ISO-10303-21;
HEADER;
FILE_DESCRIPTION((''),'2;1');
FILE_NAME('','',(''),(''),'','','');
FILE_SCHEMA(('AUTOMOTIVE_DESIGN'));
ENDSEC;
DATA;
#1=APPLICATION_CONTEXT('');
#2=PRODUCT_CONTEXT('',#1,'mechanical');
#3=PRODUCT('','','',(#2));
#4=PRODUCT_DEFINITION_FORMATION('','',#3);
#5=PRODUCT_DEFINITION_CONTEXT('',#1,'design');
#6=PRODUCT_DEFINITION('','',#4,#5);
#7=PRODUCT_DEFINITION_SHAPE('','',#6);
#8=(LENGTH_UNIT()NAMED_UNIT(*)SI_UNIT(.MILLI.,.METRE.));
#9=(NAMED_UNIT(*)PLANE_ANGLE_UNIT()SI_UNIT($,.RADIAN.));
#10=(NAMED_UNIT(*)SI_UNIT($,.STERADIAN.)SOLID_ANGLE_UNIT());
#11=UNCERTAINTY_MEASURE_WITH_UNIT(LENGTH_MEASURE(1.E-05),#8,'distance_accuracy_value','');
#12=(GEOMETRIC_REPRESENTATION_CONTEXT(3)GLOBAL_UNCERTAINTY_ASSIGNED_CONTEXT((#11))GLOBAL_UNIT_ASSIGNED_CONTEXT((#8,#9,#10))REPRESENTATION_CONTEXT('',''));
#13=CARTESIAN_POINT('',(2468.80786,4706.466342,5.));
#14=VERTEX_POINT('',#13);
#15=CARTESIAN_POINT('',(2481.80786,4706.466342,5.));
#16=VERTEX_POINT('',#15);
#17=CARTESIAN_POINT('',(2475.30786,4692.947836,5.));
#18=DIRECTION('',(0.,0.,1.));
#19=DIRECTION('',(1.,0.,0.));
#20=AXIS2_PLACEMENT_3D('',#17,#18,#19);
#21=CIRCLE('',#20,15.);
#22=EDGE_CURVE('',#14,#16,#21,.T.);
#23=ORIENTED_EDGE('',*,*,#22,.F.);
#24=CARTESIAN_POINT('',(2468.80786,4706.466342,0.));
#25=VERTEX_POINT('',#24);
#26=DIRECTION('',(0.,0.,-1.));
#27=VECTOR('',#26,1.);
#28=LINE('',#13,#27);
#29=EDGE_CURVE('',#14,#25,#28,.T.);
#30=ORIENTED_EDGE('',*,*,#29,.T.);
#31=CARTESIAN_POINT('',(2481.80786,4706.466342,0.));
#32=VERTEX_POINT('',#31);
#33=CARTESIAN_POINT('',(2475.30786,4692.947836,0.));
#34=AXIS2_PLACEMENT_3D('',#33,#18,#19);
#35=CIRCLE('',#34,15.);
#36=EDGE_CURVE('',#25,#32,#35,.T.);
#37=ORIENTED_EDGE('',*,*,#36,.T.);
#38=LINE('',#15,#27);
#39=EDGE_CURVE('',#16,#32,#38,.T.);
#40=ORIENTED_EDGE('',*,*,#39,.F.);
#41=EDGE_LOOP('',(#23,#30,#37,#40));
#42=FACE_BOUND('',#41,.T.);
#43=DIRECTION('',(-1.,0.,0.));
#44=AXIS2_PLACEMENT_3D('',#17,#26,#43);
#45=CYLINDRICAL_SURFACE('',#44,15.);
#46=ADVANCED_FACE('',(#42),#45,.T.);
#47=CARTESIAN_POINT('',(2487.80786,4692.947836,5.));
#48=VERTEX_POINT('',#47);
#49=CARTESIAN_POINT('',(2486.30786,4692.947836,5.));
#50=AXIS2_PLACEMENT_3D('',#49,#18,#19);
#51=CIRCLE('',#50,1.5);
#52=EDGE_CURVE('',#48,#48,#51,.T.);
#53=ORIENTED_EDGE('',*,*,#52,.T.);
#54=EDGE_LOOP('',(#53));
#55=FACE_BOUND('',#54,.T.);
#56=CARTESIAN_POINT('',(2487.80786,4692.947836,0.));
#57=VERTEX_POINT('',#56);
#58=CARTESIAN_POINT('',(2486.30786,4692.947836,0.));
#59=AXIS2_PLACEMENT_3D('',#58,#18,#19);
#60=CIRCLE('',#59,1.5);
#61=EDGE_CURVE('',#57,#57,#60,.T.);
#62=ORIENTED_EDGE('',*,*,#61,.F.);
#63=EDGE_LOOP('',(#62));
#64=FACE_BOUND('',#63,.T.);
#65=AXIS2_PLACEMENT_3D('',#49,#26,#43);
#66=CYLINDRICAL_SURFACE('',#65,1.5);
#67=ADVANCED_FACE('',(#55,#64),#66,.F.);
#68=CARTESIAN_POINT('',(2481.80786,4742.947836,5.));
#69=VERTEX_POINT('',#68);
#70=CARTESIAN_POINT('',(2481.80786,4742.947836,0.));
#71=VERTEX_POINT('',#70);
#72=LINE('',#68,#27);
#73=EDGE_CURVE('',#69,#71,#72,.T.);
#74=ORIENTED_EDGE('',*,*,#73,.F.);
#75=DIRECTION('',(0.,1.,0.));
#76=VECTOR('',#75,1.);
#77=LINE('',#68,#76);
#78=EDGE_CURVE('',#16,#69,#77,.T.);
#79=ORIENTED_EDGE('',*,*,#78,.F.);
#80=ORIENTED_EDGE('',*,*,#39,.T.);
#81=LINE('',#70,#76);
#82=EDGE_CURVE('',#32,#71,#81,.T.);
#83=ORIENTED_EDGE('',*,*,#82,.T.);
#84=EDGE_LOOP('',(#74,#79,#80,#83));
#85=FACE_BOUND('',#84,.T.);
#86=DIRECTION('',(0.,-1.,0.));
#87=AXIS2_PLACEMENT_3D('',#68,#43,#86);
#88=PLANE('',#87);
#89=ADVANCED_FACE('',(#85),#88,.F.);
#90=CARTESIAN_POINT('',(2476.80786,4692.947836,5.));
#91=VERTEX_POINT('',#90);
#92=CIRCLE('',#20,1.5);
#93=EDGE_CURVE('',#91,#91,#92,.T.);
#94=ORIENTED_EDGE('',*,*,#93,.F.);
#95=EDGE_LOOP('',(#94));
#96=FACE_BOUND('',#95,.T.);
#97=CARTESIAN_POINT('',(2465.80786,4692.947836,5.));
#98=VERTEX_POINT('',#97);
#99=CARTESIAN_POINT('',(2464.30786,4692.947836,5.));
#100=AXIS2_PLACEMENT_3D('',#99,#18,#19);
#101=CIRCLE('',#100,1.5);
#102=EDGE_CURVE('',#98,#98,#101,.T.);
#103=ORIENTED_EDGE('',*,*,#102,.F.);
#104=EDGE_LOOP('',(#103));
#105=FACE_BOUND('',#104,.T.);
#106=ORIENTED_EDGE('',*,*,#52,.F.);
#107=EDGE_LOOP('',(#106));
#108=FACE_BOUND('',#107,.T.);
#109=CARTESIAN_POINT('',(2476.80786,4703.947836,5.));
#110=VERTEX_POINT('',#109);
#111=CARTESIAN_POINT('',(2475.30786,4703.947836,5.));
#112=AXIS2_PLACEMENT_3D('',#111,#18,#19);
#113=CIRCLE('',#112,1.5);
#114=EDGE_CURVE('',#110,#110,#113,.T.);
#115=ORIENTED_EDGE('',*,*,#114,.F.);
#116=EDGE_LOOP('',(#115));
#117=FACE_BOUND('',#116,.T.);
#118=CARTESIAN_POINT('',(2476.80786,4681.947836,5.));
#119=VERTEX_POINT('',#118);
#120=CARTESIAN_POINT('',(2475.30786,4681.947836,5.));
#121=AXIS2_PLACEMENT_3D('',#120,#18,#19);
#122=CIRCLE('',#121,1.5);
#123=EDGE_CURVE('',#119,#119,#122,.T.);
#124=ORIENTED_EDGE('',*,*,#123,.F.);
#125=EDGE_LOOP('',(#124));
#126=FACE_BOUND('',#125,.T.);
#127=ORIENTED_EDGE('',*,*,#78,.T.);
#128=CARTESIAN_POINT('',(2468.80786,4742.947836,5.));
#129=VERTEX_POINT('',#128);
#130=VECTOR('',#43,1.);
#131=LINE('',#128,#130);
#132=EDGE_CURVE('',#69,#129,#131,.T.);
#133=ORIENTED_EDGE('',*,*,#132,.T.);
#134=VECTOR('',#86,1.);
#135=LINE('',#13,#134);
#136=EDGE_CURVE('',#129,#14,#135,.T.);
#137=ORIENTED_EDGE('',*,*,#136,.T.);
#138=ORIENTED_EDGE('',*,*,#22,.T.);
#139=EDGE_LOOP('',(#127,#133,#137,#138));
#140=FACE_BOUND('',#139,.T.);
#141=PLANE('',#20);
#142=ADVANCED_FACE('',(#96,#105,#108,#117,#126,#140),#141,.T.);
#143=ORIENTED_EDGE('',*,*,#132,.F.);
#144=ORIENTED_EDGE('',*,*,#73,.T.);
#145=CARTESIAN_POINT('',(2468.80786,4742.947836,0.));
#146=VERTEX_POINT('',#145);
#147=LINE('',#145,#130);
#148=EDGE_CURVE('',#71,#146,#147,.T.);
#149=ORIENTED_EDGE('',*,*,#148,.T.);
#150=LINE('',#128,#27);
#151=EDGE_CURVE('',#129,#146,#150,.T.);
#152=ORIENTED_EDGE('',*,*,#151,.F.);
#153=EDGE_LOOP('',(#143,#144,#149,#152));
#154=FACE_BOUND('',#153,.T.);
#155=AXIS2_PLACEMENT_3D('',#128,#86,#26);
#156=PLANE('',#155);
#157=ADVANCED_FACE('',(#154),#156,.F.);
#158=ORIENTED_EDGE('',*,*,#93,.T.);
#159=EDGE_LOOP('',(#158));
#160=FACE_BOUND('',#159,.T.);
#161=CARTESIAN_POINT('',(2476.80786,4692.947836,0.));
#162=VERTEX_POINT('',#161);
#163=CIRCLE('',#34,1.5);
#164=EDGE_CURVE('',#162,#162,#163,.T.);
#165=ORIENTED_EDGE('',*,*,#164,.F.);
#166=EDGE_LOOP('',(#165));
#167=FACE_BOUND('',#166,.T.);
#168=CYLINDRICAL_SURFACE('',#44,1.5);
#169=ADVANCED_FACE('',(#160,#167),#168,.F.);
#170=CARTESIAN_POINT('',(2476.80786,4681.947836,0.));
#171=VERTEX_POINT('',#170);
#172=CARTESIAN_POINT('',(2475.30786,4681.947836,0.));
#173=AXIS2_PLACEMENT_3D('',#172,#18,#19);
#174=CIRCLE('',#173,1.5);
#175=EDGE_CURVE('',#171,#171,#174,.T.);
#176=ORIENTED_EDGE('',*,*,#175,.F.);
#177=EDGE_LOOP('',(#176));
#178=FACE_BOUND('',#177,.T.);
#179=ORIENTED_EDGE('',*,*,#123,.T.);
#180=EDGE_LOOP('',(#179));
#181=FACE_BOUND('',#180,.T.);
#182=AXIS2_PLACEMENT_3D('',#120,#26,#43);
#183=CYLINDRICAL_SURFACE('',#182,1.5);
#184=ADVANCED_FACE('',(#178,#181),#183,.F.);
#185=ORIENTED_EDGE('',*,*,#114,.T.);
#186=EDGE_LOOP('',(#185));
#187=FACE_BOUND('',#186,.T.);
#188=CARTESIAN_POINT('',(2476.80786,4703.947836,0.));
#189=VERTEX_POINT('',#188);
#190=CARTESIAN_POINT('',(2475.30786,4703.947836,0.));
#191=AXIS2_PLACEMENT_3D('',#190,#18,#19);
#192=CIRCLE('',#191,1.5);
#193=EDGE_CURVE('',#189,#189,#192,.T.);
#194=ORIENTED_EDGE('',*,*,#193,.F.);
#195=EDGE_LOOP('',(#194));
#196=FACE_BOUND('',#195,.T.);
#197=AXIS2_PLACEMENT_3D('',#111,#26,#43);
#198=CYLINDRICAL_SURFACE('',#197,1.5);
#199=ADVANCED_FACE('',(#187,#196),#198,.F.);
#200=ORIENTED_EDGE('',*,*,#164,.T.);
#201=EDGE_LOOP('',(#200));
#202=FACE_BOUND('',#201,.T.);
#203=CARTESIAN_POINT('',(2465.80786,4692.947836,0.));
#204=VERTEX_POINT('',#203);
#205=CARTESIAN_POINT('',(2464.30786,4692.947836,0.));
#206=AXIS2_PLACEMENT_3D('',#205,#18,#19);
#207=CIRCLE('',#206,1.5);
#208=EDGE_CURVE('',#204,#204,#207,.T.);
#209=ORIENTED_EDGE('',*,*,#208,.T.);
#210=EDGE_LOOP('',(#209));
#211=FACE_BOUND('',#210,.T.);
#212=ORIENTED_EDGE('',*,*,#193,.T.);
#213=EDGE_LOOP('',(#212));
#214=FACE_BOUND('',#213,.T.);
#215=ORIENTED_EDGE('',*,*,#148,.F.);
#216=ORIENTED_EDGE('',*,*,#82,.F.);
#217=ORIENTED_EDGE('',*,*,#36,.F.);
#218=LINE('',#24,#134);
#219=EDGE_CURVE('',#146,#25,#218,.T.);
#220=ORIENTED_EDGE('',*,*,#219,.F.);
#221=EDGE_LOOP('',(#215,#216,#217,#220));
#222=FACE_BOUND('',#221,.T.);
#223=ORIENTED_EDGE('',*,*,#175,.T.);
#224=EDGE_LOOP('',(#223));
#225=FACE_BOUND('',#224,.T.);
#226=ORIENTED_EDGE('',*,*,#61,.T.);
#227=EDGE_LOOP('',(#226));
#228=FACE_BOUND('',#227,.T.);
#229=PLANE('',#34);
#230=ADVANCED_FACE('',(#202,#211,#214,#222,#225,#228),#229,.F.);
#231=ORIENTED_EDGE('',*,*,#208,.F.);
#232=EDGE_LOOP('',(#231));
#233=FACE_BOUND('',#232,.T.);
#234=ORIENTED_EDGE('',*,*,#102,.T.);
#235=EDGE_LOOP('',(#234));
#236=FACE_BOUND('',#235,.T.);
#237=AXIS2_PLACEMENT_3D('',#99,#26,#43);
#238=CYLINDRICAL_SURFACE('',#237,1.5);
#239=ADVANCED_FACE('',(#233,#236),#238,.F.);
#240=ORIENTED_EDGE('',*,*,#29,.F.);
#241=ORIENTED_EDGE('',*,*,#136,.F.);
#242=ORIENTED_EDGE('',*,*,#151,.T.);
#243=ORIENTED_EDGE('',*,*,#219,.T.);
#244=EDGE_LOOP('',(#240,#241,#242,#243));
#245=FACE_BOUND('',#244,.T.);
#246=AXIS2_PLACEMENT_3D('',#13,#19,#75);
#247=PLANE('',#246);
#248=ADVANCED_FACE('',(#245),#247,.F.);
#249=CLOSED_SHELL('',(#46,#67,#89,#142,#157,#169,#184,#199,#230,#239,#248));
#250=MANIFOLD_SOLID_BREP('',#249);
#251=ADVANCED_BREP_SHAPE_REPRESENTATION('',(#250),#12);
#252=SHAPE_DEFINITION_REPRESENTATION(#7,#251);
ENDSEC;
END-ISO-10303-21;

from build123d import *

# Parameters (mm, degrees)
SKETCH_1_R      = 1.5
EXTRUDE_1_DEPTH = 5


with BuildPart() as part:
    # 草图1 → 凸台-拉伸1 (new body)
    with BuildSketch(Plane.XY):
        with BuildLine():
            Line((2468.807860146, 4706.466341516), (2468.807860146, 4742.947835682))
            Line((2468.807860146, 4742.947835682), (2481.807860146, 4742.947835682))
            Line((2481.807860146, 4742.947835682), (2481.807860146, 4706.466341516))
            ThreePointArc((2481.807860146, 4706.466341516), (2475.307860146, 4677.947835682), (2468.807860146, 4706.466341516))
        make_face()
        with Locations((2475.307860146, 4692.947835682)):
            Circle(SKETCH_1_R, mode=Mode.SUBTRACT)
        with Locations((2464.307860146, 4692.947835682)):
            Circle(SKETCH_1_R, mode=Mode.SUBTRACT)
        with Locations((2486.307860146, 4692.947835682)):
            Circle(SKETCH_1_R, mode=Mode.SUBTRACT)
        with Locations((2475.307860146, 4703.947835682)):
            Circle(SKETCH_1_R, mode=Mode.SUBTRACT)
        with Locations((2475.307860146, 4681.947835682)):
            Circle(SKETCH_1_R, mode=Mode.SUBTRACT)
    extrude(amount=EXTRUDE_1_DEPTH)


solid = part.part
